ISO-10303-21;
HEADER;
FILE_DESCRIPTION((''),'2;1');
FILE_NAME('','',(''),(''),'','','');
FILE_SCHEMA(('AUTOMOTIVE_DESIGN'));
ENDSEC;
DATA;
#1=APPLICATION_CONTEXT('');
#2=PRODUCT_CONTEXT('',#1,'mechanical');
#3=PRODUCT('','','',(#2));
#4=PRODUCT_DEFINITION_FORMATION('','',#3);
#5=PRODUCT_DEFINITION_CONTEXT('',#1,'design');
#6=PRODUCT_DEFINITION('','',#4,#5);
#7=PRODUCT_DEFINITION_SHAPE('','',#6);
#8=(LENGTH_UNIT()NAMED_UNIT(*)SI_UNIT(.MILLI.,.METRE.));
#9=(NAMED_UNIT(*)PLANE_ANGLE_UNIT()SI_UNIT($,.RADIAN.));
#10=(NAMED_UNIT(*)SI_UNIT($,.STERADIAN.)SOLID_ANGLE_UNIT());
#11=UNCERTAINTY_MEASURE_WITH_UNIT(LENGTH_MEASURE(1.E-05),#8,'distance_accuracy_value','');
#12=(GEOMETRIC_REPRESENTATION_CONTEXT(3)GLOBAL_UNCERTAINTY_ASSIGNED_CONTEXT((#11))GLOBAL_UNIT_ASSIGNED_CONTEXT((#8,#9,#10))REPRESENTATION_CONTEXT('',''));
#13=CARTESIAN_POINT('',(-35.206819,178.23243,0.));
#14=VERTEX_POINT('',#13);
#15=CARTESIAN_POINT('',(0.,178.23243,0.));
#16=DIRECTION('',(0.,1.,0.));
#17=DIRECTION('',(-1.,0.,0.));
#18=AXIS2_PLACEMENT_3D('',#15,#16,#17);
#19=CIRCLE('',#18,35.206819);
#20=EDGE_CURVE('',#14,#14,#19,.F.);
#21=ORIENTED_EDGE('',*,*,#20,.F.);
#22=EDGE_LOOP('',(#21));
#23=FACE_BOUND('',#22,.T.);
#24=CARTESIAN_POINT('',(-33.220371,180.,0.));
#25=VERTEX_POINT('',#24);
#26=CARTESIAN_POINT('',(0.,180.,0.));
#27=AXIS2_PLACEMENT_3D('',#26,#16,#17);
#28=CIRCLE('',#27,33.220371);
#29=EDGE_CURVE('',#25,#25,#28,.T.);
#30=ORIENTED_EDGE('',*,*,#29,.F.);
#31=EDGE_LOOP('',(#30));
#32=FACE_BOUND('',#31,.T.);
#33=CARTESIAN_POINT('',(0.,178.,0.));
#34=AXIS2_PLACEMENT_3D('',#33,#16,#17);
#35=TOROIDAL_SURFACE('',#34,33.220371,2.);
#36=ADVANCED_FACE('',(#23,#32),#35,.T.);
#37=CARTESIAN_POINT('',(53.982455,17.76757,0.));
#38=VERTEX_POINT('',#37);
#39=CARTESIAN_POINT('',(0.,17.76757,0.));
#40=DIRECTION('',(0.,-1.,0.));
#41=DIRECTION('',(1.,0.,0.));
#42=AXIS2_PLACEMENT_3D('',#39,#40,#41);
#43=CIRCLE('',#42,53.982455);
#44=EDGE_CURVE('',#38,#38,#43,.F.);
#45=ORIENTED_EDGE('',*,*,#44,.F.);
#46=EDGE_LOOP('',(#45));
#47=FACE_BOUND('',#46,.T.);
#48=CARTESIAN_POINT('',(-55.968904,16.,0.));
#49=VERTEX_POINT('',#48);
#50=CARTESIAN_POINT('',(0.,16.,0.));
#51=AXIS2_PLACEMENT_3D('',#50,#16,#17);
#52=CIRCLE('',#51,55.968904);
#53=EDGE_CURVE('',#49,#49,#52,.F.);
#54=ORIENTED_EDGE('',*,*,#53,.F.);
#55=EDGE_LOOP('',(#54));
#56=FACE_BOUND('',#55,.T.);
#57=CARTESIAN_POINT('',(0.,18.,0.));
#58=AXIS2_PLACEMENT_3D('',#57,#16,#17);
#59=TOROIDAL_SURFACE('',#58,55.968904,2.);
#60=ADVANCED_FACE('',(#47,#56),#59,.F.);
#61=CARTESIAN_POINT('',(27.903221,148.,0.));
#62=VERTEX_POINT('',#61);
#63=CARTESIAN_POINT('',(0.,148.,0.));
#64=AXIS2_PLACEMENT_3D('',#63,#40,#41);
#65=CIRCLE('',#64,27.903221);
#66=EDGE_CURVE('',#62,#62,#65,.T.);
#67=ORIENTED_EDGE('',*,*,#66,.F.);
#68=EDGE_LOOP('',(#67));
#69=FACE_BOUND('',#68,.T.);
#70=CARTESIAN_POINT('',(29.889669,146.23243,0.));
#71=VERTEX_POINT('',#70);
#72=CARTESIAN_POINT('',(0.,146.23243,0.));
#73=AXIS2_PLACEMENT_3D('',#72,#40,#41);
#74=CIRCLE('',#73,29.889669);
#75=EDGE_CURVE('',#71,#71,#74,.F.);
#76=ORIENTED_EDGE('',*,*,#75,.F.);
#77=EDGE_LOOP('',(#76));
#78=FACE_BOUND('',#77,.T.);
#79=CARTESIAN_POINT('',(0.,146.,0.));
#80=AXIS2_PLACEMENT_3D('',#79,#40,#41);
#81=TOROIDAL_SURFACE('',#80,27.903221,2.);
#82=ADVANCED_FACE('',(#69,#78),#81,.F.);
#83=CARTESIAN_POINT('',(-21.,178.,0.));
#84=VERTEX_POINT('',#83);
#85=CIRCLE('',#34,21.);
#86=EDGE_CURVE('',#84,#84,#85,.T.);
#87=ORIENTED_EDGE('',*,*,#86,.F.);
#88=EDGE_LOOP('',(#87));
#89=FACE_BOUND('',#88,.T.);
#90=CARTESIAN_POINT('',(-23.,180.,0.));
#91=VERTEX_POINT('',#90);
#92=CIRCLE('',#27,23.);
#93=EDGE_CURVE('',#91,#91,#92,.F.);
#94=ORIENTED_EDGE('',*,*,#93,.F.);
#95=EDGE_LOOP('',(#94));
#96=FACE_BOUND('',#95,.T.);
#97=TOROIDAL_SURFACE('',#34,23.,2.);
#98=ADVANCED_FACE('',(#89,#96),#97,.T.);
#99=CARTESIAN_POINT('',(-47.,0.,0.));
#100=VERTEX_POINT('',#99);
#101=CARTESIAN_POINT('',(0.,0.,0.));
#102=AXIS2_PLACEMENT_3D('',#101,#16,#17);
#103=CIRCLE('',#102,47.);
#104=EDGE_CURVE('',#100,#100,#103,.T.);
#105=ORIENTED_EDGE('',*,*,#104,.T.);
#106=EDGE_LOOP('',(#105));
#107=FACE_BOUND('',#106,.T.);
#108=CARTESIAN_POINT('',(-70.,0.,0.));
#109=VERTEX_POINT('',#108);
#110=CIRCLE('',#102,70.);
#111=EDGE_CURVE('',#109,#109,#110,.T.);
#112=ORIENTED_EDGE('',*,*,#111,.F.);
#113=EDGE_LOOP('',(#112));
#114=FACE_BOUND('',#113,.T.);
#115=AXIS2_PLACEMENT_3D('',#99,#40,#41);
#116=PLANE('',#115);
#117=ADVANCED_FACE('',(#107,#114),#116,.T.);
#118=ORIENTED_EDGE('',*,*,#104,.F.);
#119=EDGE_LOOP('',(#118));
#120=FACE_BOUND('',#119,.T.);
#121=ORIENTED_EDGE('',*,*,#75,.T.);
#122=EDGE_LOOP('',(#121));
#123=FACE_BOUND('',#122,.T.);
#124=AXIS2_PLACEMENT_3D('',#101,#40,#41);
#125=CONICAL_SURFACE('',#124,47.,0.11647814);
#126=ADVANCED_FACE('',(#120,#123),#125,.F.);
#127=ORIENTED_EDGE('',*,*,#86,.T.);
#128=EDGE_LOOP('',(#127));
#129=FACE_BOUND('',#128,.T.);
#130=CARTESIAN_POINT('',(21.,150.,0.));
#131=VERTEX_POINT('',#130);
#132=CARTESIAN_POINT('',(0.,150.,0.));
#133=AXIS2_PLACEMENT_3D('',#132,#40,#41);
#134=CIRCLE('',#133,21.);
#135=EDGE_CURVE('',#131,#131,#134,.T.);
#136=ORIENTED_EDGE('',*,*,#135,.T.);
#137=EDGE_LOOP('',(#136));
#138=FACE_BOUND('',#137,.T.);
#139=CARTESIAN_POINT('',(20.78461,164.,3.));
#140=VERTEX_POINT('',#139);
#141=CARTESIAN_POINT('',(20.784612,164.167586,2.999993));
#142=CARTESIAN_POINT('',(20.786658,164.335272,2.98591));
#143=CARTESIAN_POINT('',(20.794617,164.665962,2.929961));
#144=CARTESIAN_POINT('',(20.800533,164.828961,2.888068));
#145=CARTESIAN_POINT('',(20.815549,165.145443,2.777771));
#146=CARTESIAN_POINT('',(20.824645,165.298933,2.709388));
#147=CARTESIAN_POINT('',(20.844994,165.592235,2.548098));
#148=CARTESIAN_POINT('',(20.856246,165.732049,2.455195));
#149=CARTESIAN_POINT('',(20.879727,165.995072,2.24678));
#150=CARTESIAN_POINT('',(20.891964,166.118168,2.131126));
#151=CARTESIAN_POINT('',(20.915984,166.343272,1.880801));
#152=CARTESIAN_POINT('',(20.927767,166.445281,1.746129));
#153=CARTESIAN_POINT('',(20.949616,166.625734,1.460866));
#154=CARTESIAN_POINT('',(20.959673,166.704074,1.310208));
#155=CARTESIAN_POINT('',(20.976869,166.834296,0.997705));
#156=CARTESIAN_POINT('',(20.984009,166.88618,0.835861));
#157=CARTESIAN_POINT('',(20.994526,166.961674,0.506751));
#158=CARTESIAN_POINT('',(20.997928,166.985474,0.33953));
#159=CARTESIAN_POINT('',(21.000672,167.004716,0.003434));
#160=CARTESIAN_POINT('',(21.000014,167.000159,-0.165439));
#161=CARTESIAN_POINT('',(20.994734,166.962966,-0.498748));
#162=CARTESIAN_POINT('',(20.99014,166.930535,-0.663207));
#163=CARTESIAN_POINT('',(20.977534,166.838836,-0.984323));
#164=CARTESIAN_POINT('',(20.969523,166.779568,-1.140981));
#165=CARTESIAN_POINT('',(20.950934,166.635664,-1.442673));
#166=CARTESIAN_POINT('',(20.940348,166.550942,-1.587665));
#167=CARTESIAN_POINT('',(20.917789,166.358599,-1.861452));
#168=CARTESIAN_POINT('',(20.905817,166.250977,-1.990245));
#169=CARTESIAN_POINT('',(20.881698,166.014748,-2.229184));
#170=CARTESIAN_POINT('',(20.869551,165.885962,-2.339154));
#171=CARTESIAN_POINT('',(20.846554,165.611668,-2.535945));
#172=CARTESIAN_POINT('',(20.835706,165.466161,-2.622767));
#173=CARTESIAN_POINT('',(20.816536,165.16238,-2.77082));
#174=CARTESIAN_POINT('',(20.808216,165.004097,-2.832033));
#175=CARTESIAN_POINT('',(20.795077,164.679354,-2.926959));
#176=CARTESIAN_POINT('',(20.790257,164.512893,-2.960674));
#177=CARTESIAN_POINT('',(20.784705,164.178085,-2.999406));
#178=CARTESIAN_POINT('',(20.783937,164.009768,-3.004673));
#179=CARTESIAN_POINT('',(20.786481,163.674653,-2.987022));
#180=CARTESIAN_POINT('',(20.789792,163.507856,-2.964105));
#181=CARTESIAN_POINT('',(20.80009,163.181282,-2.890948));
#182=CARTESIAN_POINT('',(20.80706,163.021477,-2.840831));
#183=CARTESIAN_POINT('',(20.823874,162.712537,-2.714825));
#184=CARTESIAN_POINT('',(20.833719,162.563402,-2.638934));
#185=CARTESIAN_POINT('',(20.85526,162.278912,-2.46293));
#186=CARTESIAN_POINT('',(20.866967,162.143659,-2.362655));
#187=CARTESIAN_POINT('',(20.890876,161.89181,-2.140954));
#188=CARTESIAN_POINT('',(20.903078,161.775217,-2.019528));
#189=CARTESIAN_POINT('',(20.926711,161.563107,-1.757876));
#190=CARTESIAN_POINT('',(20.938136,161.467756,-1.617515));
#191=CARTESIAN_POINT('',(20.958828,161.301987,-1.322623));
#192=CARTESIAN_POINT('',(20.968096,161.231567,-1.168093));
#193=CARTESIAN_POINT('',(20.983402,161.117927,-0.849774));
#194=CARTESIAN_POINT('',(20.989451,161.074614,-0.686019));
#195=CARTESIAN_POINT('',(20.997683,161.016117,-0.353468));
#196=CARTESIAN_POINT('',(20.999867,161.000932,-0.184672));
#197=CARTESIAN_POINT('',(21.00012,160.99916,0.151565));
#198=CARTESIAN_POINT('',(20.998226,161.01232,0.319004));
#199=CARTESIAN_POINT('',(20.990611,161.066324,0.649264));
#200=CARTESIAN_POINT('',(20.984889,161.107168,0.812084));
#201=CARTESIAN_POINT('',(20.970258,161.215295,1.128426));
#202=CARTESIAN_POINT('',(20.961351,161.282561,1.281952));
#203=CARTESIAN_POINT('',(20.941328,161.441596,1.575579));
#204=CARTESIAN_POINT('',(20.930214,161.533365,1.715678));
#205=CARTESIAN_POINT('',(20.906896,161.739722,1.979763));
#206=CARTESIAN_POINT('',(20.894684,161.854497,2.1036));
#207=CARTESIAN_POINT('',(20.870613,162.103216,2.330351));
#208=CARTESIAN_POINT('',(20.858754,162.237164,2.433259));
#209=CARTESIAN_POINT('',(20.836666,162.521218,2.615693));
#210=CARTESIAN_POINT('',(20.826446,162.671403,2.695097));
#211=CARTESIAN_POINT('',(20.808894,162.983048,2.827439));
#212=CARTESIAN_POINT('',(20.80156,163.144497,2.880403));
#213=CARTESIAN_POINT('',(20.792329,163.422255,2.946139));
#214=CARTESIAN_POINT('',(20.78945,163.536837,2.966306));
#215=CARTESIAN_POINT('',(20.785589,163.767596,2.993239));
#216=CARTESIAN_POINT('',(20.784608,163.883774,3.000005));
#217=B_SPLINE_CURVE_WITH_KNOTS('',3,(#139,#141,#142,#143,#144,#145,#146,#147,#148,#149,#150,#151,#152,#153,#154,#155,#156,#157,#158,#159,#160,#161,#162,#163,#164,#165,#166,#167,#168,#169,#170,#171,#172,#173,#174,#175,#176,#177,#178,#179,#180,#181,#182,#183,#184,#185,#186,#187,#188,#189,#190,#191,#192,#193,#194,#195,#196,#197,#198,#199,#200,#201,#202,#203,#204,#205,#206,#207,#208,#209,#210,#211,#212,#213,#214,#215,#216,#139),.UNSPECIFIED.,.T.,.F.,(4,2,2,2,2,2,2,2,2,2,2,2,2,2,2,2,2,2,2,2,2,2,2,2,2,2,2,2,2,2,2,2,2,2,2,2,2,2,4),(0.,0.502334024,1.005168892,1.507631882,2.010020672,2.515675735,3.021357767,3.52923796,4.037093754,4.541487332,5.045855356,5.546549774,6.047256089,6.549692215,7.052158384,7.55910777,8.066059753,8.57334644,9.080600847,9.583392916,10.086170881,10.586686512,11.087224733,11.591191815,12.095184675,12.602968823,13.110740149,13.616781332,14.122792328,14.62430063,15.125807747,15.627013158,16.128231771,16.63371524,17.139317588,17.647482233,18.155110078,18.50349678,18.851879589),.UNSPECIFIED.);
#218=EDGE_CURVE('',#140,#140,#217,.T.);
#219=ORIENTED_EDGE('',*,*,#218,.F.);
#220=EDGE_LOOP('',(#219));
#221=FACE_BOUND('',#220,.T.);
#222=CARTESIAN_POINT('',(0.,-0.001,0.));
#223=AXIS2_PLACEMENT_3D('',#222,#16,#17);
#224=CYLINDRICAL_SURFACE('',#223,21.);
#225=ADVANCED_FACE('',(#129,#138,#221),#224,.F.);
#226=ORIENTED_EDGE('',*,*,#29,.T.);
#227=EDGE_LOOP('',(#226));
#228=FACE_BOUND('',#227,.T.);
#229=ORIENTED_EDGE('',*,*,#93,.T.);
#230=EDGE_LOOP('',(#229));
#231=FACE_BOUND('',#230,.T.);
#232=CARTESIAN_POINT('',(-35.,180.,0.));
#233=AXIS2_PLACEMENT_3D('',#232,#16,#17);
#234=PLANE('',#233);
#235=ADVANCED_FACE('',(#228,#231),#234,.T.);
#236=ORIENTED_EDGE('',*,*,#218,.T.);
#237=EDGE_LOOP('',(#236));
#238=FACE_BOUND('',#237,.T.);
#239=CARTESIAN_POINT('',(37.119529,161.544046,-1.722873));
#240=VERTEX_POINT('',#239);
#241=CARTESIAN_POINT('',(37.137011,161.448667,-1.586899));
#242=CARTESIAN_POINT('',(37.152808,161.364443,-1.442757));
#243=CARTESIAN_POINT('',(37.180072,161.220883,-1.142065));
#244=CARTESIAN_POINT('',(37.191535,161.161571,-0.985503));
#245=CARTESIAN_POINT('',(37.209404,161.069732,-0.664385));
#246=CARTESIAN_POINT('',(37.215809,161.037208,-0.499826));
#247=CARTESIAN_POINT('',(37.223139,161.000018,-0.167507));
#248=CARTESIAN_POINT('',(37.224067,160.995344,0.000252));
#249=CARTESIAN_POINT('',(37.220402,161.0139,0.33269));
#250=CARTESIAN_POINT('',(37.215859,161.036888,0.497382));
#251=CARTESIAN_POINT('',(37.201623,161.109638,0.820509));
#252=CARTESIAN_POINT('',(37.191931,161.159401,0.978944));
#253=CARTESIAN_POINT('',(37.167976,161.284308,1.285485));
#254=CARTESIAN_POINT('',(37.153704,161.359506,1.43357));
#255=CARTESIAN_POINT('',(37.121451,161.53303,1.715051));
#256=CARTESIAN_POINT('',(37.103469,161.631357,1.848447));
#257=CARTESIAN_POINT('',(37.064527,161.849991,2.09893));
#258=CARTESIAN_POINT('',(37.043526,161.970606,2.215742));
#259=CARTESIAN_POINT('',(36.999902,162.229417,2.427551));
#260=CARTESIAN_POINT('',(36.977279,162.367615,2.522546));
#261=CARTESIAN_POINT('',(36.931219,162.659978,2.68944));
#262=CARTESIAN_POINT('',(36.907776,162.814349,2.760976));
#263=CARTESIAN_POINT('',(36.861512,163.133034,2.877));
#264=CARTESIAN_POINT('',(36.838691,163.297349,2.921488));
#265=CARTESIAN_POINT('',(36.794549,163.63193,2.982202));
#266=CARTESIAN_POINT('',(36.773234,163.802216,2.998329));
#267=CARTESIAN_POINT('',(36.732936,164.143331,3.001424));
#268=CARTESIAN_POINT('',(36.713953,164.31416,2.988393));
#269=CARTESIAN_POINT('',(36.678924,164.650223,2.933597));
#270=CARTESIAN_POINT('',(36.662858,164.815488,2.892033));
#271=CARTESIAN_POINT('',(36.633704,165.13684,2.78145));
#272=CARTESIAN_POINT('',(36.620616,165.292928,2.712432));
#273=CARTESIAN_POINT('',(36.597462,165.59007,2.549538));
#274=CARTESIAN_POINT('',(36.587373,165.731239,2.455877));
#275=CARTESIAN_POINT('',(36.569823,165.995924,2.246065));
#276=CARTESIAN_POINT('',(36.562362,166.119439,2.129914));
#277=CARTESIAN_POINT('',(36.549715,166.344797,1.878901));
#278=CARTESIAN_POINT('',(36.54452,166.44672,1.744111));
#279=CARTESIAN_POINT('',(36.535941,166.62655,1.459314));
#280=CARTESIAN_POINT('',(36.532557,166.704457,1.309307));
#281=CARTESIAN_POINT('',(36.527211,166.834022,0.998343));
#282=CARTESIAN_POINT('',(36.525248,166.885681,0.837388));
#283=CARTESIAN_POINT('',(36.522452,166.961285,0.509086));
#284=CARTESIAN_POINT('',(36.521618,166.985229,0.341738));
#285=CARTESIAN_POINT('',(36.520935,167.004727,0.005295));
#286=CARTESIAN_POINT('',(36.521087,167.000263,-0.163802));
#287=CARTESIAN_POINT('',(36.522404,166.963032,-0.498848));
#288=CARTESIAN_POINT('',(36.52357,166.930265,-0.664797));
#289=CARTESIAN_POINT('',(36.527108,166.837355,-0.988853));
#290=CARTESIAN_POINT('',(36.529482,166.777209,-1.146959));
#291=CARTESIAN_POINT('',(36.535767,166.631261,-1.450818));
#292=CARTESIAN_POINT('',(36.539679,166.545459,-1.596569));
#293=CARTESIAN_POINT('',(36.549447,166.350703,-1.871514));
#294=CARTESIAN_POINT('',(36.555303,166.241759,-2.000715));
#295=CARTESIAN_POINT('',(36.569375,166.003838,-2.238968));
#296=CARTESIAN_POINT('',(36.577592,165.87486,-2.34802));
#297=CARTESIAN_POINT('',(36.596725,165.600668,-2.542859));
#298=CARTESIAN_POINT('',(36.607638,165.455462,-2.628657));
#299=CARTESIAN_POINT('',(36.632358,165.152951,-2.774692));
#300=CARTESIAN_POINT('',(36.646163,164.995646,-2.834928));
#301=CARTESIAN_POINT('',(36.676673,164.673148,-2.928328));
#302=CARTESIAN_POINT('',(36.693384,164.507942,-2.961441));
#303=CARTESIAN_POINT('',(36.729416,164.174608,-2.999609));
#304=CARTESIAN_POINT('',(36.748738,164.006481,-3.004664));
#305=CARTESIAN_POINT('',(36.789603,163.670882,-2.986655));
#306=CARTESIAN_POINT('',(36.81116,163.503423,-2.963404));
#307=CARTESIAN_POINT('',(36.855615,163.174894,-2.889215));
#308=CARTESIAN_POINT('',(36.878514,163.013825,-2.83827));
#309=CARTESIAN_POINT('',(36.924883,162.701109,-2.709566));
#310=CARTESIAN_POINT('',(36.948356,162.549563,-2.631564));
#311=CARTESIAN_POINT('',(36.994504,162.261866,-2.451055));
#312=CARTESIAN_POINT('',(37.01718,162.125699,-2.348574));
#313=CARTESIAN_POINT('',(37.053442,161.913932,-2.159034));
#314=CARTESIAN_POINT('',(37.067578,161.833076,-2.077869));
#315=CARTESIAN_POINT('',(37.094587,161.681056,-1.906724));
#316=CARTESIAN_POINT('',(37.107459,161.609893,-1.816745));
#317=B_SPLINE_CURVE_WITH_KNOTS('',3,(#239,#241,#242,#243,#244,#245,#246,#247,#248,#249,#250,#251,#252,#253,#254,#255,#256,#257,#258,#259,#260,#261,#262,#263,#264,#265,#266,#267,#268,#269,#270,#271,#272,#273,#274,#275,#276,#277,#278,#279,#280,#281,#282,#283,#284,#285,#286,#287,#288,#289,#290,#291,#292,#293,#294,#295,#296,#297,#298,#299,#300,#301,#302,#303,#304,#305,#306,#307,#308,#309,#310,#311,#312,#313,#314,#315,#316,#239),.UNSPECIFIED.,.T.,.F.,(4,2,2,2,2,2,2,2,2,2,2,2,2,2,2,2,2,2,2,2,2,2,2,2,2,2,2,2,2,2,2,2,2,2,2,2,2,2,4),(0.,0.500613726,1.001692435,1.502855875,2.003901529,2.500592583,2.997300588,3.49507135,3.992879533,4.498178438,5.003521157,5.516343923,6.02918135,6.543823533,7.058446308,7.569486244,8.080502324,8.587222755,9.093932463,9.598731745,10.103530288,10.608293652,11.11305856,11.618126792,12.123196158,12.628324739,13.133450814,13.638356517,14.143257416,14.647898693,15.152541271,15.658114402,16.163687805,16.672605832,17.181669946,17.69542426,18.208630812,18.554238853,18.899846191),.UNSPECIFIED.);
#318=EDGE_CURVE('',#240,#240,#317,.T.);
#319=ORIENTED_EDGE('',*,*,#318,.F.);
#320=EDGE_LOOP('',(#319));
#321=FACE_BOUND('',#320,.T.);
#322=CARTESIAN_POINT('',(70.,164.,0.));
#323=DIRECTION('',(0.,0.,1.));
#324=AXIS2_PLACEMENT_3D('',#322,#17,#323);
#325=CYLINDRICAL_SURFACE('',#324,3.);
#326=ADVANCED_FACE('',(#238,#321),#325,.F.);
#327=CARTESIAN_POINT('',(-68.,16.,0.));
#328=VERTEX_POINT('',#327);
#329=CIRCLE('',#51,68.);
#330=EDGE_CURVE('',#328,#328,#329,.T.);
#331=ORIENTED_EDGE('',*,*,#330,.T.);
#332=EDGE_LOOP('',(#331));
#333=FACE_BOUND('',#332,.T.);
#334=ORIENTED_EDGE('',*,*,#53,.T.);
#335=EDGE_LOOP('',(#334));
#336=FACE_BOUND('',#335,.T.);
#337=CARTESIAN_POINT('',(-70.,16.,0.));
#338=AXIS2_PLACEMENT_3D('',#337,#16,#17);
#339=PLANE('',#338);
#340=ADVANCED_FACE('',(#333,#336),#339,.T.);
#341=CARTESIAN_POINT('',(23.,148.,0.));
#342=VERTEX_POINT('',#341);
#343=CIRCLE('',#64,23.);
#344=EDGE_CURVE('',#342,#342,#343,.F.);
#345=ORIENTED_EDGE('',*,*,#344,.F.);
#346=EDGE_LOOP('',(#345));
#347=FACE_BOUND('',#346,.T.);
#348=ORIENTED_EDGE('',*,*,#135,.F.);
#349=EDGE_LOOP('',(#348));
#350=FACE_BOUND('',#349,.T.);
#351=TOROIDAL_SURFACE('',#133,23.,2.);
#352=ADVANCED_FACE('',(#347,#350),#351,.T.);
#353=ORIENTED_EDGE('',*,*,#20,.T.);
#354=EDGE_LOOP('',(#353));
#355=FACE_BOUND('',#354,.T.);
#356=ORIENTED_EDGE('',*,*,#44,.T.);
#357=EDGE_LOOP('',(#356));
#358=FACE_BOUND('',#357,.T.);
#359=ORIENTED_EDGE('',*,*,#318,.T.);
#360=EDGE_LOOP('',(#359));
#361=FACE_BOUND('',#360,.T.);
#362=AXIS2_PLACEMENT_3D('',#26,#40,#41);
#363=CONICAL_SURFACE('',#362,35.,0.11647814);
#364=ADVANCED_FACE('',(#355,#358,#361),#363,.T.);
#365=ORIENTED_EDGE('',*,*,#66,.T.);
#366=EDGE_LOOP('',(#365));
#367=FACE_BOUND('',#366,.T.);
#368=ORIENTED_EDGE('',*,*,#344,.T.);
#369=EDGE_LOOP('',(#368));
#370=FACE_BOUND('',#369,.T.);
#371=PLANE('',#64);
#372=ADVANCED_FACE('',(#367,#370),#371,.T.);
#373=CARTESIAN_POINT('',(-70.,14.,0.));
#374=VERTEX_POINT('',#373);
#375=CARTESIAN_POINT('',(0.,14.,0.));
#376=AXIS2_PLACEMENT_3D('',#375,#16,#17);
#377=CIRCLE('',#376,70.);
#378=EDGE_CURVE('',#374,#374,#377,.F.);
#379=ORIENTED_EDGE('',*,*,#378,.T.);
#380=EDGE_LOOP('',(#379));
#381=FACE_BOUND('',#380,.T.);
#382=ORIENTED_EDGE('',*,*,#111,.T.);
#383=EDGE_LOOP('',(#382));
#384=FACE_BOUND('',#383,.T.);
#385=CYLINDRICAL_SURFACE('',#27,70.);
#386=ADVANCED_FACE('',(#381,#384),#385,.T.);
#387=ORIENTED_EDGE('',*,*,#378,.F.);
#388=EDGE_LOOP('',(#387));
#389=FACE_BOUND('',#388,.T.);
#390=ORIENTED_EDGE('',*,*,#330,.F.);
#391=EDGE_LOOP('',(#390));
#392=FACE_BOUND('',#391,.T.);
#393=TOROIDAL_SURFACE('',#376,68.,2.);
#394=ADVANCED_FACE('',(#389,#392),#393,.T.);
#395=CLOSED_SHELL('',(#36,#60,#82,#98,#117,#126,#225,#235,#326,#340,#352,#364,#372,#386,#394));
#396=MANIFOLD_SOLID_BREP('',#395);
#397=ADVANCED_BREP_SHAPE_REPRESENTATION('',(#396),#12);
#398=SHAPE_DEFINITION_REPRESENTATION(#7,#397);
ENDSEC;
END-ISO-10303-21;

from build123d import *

# Parameters (mm, degrees)
CUT_EXTRUDE_1_REACH = 182
SKETCH_3_R          = 21
SKETCH_4_R          = 3
CUT_EXTRUDE_2_DEPTH = 71
FILLET_1_R          = 2


with BuildPart() as part:
    # 草图2 → 旋转1 (revolve)
    with BuildSketch(Plane.XY):
        Polygon((0, 180), (0, 148), (-29.682849507, 148), (-47, 0), (-70, 0), (-70, 16), (-54.189274871, 16), (-35, 180), align=None)
    revolve(axis=Axis((0, 180, 0), (0, -1, 0)))

    # 草图3 → 切除-拉伸1 (cut, up to next)
    with BuildSketch(Plane(origin=(0, 180, 0), x_dir=(1, 0, 0), z_dir=(0, 1, 0)), mode=Mode.PRIVATE) as cut_extrude_1_sk1:
        Circle(SKETCH_3_R)
    cut_extrude_1_tool1 = extrude(cut_extrude_1_sk1.sketch, amount=-CUT_EXTRUDE_1_REACH, mode=Mode.PRIVATE) & part.part
    add(cut_extrude_1_tool1.solids().sort_by_distance((0, 180, 0))[0], mode=Mode.SUBTRACT)

    # 草图4 → 切除-拉伸2 (cut, through all)
    with BuildSketch(Plane(origin=(0, 0, 0), x_dir=(0, 0, -1), z_dir=(1, 0, 0))):
        with Locations((0, 164)):
            Circle(SKETCH_4_R)
    extrude(amount=CUT_EXTRUDE_2_DEPTH, mode=Mode.SUBTRACT)

    # 圆角1
    fillet_1_edges = [part.edges().sort_by_distance(p)[0] for p in [
        (-21, 148, 0),
        (-21, 180, 0),
        (35, 180, 0),
        (54.189274871, 16, 0),
        (70, 16, 0),
        (29.682849507, 148, 0),
    ]]
    fillet(fillet_1_edges, radius=FILLET_1_R)


solid = part.part
